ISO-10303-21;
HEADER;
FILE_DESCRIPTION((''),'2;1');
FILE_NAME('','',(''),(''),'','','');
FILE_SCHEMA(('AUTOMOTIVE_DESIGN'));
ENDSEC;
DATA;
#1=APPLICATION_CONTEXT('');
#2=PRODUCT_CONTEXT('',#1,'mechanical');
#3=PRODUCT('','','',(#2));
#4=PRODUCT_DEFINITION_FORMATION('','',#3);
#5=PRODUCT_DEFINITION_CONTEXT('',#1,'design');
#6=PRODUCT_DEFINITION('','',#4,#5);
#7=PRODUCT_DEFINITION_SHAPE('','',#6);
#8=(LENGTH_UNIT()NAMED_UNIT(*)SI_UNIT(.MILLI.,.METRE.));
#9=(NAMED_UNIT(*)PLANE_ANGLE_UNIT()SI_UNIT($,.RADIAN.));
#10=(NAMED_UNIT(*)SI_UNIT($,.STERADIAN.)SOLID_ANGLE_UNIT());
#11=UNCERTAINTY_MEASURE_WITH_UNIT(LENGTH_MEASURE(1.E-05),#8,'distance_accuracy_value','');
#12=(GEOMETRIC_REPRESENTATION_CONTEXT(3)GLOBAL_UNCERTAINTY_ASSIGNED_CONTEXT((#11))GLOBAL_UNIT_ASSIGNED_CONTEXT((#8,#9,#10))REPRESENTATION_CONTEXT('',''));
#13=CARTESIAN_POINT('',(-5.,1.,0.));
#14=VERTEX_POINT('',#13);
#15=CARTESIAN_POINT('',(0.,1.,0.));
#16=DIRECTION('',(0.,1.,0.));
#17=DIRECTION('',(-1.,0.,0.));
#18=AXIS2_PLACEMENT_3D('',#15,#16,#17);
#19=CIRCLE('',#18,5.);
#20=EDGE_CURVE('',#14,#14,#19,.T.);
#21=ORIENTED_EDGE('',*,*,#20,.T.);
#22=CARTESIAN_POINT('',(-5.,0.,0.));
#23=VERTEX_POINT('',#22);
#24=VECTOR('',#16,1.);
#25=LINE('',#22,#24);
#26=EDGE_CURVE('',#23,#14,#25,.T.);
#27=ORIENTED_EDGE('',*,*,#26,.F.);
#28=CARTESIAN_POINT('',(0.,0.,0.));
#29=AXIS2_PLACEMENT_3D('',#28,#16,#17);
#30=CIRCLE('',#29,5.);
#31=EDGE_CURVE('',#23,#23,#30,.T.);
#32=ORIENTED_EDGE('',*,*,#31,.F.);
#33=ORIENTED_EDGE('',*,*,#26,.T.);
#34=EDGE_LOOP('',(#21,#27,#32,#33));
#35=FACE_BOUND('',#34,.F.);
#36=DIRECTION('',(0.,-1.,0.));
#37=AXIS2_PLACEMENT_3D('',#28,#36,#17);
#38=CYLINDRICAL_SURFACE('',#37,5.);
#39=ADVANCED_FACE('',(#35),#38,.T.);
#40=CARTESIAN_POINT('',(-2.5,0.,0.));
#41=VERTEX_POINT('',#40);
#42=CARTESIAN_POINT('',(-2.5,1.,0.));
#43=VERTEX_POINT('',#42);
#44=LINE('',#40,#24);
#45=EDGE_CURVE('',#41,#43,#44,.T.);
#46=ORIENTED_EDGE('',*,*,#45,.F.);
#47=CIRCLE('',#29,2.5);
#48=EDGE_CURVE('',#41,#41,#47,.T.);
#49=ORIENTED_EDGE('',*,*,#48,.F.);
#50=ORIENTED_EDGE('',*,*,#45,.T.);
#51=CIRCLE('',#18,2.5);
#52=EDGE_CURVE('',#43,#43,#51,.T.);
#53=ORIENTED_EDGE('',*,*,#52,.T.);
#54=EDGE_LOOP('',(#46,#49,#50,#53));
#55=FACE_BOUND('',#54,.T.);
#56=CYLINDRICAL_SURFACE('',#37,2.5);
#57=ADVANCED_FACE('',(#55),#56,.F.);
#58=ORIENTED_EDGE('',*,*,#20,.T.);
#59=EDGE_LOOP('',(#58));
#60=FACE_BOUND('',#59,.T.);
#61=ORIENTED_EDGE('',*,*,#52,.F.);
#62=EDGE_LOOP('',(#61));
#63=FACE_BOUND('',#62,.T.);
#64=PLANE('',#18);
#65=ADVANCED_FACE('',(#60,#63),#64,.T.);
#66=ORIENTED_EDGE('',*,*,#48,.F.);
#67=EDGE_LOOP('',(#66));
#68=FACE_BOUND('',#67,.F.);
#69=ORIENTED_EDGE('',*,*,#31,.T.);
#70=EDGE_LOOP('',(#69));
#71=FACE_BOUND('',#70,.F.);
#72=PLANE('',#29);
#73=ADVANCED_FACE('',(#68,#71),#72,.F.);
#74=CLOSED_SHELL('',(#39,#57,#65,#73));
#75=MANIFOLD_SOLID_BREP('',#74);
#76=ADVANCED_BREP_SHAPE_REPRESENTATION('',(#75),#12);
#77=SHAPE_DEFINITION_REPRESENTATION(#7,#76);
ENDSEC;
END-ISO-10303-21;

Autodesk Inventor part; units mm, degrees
ref_plane "YZ Plane" through (0, 0, 0) normal (1, 0, 0) x (0, 1, 0)
ref_plane "XZ Plane" through (0, 0, 0) normal (0, 1, 0) x (-1, 0, 0)
ref_plane "XY Plane" through (0, 0, 0) normal (0, 0, 1) x (1, 0, 0)
sketch "Sketch1" plane through (0, 0, 0) normal (0, 1, 0) x (-1, 0, 0)
  circle A0 centre (0, 0) radius 5
  circle A1 centre (0, 0) radius 2.5
  dimension "d0" = 10
  dimension "d1" = 5
extrude "Extrusion1" add sketch "Sketch1" along normal blind 1
properties part number "10x5x1mmShim"
